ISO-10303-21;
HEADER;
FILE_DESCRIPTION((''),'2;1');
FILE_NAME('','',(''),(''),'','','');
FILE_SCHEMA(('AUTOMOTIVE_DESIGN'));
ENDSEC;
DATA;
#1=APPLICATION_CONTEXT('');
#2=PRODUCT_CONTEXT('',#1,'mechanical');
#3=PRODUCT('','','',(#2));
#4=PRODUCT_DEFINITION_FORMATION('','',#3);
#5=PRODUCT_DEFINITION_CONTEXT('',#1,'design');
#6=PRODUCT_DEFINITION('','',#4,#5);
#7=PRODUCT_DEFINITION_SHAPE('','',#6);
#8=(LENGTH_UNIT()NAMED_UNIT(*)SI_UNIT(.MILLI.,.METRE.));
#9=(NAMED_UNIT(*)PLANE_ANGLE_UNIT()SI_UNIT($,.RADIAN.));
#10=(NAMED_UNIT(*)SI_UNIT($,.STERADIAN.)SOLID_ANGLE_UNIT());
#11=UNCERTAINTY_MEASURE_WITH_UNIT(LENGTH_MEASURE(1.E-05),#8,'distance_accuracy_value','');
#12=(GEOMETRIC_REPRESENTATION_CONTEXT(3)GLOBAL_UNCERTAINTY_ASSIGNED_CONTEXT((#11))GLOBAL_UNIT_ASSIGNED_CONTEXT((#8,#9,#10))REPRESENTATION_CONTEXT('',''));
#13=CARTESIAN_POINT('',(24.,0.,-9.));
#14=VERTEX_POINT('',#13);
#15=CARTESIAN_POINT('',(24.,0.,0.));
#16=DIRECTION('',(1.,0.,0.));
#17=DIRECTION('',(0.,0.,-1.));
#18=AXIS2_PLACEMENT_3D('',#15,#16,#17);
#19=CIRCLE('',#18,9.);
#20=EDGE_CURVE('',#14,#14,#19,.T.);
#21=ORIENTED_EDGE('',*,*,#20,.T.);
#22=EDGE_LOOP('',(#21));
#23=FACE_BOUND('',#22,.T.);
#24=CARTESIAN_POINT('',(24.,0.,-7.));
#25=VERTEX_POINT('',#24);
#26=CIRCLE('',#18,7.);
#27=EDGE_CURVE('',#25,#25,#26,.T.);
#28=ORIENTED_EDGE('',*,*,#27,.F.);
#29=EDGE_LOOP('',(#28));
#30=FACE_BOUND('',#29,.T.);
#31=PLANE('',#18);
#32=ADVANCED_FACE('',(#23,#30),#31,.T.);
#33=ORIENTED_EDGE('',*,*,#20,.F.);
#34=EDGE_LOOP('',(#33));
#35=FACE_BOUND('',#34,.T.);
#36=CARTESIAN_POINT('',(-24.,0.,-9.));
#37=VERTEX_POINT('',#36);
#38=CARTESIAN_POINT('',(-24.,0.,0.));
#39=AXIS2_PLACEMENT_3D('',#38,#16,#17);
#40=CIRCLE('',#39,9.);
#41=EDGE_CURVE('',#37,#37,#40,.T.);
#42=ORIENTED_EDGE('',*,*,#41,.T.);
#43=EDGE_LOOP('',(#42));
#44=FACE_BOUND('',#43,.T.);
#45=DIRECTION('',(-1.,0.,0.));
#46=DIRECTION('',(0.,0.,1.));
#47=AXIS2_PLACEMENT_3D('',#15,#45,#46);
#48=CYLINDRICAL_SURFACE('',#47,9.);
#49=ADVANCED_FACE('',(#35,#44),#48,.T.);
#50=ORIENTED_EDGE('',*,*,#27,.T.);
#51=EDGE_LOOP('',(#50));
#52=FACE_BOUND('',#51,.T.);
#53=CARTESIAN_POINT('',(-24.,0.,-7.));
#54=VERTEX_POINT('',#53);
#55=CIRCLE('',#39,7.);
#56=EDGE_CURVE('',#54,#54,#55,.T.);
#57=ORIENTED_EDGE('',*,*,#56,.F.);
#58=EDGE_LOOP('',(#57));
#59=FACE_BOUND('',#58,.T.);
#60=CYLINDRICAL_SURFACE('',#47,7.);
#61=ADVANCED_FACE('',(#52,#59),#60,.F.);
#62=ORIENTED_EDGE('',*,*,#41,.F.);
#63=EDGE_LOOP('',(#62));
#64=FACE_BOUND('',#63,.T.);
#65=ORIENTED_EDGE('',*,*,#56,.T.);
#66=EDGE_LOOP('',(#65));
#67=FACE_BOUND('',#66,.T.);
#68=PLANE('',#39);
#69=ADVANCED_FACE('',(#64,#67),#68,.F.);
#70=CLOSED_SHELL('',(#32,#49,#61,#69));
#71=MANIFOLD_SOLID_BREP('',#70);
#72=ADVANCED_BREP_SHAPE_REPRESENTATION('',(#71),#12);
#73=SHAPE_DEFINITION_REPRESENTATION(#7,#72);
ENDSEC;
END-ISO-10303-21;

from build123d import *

# Parameters (mm, degrees)
SKETCH1_R           = 9
SKETCH1_R_2         = 7
BOSS_EXTRUDE1_DEPTH = 24


with BuildPart() as part:
    # Sketch1 → Boss-Extrude1 (new body, symmetric)
    with BuildSketch(Plane(origin=(0, 0, 0), x_dir=(0, 0, -1), z_dir=(1, 0, 0))):
        Circle(SKETCH1_R)
        Circle(SKETCH1_R_2, mode=Mode.SUBTRACT)
    extrude(amount=BOSS_EXTRUDE1_DEPTH, both=True)


solid = part.part
